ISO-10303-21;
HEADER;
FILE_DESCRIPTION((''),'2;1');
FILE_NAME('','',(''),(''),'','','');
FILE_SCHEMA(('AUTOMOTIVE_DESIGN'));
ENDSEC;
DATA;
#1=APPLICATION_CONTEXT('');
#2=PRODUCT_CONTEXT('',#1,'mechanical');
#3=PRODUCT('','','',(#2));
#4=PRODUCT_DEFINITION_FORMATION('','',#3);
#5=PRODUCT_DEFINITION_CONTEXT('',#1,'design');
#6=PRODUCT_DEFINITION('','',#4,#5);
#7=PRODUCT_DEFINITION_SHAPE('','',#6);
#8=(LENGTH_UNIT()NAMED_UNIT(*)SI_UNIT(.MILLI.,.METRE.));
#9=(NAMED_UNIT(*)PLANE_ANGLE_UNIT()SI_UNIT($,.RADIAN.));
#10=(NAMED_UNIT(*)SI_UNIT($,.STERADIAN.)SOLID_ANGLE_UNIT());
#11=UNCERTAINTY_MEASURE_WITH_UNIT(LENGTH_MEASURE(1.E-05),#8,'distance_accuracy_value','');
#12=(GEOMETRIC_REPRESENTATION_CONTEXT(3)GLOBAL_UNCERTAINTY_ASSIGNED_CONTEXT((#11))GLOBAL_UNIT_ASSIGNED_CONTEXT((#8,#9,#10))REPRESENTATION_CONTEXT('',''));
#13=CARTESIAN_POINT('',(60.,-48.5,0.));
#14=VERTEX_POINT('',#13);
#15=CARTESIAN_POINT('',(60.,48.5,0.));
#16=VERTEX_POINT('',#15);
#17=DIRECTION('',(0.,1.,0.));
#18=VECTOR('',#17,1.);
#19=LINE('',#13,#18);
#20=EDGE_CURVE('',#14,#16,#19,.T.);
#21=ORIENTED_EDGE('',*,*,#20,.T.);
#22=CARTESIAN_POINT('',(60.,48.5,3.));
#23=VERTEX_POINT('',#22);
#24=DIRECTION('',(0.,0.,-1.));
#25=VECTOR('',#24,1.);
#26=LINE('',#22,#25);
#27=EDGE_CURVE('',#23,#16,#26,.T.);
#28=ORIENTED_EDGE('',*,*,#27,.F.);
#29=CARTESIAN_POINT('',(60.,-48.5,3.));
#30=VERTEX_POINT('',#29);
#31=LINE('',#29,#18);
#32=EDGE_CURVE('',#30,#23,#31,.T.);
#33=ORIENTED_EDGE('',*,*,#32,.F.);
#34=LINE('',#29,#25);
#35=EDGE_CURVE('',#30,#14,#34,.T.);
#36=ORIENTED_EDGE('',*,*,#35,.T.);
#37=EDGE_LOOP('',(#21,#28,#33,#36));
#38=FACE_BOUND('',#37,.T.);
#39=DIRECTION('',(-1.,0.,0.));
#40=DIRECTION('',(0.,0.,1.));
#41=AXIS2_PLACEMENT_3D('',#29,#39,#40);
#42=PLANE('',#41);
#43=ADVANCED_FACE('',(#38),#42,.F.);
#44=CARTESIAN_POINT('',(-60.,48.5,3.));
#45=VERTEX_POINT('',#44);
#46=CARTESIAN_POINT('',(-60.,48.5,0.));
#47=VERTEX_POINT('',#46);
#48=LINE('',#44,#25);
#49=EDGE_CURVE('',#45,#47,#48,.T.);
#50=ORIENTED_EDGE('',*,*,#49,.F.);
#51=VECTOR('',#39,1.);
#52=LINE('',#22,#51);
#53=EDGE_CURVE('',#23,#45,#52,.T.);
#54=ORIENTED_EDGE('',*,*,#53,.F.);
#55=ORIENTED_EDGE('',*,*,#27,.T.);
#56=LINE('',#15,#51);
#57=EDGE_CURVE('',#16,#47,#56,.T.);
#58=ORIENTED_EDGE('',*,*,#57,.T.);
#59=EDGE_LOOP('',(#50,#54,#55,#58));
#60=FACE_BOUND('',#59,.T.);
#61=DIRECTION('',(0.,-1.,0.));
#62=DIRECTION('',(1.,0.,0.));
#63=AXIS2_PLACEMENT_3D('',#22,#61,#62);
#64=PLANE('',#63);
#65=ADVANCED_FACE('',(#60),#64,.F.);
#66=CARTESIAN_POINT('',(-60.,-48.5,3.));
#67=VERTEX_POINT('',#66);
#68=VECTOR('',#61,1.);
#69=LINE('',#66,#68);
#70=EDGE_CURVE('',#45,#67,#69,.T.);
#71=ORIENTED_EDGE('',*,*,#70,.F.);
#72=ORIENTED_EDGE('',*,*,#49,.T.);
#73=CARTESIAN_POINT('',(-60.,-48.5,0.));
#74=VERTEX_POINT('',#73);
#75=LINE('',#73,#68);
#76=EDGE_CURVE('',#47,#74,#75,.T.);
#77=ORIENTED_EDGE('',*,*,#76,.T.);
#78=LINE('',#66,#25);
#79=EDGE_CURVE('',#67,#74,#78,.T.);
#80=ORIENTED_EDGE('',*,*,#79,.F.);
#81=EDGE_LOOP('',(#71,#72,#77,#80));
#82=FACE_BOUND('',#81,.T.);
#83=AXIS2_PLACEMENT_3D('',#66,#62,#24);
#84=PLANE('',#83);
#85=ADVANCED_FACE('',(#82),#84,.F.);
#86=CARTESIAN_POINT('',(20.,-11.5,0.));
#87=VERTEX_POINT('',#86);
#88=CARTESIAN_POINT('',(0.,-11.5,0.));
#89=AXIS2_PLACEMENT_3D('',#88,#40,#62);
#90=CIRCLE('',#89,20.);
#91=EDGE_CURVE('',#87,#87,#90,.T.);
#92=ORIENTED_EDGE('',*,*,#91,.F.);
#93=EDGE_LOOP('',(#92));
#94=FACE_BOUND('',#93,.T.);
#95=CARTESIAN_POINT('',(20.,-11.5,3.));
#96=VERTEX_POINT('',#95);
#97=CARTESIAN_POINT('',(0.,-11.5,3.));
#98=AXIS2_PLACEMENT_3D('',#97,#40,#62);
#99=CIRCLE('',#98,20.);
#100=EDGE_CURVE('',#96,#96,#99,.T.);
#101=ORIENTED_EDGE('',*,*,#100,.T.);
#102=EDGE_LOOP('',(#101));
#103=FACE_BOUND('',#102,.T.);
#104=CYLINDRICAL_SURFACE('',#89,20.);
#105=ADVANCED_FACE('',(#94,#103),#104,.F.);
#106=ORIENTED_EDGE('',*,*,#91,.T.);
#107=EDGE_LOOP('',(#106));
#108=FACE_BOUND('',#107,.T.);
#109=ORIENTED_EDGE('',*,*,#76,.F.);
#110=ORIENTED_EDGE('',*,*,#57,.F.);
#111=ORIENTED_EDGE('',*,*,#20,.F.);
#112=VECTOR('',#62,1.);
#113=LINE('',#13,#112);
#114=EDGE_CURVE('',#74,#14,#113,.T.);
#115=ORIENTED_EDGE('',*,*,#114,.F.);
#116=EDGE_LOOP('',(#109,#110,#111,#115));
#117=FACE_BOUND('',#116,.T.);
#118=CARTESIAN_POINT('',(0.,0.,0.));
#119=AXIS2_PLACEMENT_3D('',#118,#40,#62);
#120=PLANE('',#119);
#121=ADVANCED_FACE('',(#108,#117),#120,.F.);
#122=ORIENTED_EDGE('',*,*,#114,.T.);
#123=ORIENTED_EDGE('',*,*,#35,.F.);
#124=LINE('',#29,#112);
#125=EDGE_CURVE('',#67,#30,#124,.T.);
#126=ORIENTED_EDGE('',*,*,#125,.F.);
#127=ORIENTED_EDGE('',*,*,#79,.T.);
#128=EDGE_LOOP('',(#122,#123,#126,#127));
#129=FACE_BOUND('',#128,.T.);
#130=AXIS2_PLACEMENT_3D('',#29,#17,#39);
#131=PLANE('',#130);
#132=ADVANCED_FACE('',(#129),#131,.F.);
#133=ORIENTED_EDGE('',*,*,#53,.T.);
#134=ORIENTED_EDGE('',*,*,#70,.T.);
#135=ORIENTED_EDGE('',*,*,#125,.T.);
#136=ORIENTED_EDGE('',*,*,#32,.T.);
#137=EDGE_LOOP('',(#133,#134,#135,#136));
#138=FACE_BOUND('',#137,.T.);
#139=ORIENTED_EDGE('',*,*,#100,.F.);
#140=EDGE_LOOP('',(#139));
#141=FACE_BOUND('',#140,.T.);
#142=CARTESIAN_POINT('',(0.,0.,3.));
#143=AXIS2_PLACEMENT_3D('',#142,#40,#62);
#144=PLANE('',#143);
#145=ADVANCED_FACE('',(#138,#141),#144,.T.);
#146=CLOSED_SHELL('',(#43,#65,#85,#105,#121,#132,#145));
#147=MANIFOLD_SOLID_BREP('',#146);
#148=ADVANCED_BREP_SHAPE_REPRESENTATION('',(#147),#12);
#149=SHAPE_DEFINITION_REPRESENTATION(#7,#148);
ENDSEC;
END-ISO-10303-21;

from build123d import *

# Parameters (mm, degrees)
ESBO_O1_W                = 120
ESBO_O1_H                = 97
RESSALTO_EXTRUS_O1_DEPTH = 3
ESBO_O2_R                = 20
CORTE_EXTRUS_O1_DEPTH    = 78.209131584


with BuildPart() as part:
    # Esboço1 → Ressalto-extrusão1 (new body)
    with BuildSketch(Plane.XY):
        Rectangle(ESBO_O1_W, ESBO_O1_H)
    extrude(amount=RESSALTO_EXTRUS_O1_DEPTH)

    # Esboço2 → Corte-extrusão1 (cut, through all)
    with BuildSketch(Plane.XY.offset(3)):
        with Locations((0, -11.5)):
            Circle(ESBO_O2_R)
    extrude(amount=-CORTE_EXTRUS_O1_DEPTH, mode=Mode.SUBTRACT)


solid = part.part
